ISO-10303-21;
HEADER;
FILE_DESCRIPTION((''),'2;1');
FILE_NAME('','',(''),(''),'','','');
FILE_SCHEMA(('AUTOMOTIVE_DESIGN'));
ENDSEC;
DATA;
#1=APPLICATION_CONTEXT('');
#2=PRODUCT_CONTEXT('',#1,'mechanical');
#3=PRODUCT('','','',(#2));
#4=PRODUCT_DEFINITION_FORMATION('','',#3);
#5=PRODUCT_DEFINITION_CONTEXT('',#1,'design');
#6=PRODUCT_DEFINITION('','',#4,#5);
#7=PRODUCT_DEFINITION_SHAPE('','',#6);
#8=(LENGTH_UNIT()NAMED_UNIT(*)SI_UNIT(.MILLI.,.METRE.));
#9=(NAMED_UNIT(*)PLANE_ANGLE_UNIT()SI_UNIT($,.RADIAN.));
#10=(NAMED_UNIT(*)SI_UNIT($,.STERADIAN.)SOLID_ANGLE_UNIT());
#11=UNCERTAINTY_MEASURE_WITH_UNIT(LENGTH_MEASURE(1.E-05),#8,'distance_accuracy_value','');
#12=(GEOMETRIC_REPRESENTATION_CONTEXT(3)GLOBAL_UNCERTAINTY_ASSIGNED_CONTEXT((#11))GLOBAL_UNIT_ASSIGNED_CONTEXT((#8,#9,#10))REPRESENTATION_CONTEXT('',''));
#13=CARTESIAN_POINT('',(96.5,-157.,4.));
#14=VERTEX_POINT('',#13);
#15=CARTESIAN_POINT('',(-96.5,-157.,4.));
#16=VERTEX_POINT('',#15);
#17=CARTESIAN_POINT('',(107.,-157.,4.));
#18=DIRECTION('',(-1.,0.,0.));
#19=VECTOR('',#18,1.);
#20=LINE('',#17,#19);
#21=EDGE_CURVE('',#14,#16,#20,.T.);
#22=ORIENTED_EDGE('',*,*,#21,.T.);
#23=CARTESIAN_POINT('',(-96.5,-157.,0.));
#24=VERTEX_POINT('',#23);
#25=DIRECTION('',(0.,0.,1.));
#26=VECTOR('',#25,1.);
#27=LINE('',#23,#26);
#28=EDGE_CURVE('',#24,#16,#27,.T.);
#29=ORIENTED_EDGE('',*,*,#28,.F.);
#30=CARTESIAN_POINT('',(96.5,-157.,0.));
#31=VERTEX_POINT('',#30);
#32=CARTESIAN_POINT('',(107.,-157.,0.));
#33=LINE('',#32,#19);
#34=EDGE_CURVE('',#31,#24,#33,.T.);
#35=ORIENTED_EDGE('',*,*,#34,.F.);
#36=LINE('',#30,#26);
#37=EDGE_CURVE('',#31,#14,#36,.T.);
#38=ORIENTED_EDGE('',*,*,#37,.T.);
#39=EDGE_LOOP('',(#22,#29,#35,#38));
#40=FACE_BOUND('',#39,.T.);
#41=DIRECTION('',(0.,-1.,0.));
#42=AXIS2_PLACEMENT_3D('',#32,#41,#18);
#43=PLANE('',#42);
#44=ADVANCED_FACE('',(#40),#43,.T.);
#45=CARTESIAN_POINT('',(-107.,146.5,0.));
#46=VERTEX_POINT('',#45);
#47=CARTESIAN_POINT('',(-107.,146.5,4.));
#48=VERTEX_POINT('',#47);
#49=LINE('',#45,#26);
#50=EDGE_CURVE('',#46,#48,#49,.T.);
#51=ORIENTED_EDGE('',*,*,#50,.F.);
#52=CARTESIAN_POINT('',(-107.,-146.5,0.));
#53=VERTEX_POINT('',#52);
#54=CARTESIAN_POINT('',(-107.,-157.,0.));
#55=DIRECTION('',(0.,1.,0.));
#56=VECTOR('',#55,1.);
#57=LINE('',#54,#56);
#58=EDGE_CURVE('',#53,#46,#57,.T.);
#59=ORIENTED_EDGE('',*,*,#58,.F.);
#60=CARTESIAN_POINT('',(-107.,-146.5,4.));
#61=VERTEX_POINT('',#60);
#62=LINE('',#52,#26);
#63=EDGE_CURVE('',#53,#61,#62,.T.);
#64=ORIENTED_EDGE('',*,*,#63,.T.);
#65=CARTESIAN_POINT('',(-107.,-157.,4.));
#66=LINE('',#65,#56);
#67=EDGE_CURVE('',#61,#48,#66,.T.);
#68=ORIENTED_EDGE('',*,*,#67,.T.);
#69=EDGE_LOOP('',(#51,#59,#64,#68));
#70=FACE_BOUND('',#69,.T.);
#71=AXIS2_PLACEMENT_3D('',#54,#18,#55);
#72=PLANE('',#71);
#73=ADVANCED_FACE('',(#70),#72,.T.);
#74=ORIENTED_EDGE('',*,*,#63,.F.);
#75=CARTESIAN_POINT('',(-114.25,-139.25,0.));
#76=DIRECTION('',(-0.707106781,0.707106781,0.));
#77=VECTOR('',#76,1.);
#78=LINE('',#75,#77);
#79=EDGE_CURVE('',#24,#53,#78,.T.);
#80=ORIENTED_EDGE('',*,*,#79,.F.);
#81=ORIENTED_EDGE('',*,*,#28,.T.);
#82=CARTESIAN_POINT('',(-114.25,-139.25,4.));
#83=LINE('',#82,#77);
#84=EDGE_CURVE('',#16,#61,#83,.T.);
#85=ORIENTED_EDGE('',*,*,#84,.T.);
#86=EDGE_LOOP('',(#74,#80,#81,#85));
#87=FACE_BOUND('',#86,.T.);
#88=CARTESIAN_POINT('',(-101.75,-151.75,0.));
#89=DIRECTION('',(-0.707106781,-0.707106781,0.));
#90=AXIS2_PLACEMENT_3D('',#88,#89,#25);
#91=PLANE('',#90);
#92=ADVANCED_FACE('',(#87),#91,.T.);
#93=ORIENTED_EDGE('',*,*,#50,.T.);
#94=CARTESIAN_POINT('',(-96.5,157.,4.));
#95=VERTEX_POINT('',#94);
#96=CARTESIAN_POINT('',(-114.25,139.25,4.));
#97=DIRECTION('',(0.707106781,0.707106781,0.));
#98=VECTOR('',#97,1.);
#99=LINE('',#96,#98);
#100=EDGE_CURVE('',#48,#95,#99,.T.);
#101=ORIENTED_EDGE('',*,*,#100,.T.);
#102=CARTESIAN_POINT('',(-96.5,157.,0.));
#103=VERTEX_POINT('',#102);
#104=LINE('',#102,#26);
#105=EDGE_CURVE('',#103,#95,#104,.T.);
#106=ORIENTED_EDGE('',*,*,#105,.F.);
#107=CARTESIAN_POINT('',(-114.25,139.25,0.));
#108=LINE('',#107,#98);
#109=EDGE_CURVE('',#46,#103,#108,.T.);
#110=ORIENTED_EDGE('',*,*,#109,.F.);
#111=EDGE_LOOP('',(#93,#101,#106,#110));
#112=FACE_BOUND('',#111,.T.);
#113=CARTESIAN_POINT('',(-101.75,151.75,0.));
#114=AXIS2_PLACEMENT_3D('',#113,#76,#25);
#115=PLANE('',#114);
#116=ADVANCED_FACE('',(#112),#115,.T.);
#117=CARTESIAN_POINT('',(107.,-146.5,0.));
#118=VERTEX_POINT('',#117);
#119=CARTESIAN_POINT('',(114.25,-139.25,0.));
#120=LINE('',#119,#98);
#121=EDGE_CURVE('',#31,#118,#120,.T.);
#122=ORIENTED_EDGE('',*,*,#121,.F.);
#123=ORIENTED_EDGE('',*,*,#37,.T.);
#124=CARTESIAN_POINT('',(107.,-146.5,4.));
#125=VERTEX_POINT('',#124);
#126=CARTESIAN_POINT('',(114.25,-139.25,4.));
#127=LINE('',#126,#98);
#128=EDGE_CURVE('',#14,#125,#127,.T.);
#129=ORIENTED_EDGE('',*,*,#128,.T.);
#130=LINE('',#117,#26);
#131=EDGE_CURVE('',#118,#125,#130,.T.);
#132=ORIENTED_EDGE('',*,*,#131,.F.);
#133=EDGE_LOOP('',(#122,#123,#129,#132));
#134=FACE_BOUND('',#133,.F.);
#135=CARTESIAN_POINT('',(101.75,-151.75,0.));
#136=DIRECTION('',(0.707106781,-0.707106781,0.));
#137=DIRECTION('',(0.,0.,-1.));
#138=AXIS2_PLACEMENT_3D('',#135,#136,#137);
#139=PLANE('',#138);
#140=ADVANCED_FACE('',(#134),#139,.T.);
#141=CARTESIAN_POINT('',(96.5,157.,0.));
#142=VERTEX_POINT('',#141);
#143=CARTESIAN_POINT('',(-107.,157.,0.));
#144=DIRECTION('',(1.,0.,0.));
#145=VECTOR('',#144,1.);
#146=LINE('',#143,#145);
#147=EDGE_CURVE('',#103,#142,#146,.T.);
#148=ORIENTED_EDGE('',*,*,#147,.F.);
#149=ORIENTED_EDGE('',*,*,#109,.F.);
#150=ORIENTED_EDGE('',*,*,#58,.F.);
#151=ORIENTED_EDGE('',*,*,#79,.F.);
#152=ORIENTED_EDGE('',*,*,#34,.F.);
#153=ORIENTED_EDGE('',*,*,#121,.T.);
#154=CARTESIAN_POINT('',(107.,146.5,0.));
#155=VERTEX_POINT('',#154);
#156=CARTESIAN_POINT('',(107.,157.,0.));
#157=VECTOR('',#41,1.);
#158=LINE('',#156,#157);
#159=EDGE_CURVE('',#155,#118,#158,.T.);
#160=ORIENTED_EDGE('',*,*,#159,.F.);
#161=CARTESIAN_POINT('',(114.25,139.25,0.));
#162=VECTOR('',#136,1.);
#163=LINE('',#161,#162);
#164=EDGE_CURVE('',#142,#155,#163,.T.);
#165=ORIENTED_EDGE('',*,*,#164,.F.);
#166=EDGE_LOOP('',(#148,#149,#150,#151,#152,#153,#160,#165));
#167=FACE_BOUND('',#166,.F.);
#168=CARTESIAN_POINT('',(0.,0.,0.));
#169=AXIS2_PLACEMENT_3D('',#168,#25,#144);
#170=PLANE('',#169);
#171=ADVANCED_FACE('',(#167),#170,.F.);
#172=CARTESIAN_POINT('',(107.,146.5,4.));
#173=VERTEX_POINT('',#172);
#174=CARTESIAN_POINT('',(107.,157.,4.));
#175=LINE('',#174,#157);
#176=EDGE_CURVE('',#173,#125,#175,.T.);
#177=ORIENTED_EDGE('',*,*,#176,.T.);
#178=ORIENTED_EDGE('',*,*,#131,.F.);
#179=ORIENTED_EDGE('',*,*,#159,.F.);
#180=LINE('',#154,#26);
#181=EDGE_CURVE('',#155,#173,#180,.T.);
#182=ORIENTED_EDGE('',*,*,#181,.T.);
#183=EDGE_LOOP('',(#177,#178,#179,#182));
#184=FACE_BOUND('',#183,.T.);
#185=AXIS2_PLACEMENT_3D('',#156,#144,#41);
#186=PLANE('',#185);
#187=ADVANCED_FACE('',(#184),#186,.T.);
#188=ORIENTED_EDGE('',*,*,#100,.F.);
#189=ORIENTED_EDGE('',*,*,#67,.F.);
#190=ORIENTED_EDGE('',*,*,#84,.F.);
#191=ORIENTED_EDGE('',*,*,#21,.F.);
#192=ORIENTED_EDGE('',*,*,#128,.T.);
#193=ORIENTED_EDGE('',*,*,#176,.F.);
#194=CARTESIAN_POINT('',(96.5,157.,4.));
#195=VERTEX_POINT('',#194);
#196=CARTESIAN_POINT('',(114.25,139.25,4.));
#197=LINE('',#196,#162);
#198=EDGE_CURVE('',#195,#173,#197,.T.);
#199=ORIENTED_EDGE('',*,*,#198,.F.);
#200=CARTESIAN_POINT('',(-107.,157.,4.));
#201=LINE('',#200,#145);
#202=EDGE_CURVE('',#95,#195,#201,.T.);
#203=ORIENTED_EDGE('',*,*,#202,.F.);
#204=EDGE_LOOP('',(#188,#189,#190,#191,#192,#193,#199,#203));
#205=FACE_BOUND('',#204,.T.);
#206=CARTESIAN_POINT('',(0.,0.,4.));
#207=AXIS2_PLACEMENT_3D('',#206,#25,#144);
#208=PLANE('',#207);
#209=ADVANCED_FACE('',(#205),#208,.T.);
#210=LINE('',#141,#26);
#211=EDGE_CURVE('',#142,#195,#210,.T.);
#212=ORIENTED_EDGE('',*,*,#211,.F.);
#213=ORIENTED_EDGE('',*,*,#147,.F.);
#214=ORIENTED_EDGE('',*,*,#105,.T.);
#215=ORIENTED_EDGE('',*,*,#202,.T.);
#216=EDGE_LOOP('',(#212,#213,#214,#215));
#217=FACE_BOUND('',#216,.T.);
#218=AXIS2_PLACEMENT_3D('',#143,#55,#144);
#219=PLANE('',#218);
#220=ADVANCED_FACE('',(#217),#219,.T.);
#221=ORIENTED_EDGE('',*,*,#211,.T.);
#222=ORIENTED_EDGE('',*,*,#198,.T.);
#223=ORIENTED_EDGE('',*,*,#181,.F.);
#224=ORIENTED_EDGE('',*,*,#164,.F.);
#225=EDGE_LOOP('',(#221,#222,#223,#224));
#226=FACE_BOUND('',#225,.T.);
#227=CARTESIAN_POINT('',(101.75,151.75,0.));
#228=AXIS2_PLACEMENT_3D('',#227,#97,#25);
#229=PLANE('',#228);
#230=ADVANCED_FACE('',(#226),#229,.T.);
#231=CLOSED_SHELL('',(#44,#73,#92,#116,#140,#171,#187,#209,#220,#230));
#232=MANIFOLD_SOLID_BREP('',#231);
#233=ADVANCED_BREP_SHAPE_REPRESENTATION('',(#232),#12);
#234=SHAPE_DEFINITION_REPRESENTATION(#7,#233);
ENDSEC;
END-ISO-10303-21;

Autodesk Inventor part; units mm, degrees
ref_plane "YZ Plane" through (0, 0, 0) normal (1, 0, 0) x (0, 1, 0)
ref_plane "XZ Plane" through (0, 0, 0) normal (0, 1, 0) x (-1, 0, 0)
ref_plane "XY Plane" through (0, 0, 0) normal (0, 0, 1) x (1, 0, 0)
sketch "Sketch1" plane through (0, 0, 0) normal (0, 0, 1) x (1, 0, 0)
  line L0 (107, -157) -> (-107, -157)
  line L1 (-107, -157) -> (-107, 157)
  line L2 (-107, 157) -> (107, 157)
  line L3 (107, 157) -> (107, -157)
  line L4 (107, -157) -> (-107, 157) construction
  line L5 (-107, -157) -> (107, 157) construction
  point P0 (0, 0)
  dimension "d0" = 314
  dimension "d1" = 214
extrude "Extrusion1" add sketch "Sketch1" along normal blind 4
chamfer "Chamfer1" distance 10.5 angle 45 4 edges at (-107, 157, 2) (-107, -157, 2) (107, -157, 2) (107, 157, 2)
properties part number "Heated Bed Glass" material "Glass"
